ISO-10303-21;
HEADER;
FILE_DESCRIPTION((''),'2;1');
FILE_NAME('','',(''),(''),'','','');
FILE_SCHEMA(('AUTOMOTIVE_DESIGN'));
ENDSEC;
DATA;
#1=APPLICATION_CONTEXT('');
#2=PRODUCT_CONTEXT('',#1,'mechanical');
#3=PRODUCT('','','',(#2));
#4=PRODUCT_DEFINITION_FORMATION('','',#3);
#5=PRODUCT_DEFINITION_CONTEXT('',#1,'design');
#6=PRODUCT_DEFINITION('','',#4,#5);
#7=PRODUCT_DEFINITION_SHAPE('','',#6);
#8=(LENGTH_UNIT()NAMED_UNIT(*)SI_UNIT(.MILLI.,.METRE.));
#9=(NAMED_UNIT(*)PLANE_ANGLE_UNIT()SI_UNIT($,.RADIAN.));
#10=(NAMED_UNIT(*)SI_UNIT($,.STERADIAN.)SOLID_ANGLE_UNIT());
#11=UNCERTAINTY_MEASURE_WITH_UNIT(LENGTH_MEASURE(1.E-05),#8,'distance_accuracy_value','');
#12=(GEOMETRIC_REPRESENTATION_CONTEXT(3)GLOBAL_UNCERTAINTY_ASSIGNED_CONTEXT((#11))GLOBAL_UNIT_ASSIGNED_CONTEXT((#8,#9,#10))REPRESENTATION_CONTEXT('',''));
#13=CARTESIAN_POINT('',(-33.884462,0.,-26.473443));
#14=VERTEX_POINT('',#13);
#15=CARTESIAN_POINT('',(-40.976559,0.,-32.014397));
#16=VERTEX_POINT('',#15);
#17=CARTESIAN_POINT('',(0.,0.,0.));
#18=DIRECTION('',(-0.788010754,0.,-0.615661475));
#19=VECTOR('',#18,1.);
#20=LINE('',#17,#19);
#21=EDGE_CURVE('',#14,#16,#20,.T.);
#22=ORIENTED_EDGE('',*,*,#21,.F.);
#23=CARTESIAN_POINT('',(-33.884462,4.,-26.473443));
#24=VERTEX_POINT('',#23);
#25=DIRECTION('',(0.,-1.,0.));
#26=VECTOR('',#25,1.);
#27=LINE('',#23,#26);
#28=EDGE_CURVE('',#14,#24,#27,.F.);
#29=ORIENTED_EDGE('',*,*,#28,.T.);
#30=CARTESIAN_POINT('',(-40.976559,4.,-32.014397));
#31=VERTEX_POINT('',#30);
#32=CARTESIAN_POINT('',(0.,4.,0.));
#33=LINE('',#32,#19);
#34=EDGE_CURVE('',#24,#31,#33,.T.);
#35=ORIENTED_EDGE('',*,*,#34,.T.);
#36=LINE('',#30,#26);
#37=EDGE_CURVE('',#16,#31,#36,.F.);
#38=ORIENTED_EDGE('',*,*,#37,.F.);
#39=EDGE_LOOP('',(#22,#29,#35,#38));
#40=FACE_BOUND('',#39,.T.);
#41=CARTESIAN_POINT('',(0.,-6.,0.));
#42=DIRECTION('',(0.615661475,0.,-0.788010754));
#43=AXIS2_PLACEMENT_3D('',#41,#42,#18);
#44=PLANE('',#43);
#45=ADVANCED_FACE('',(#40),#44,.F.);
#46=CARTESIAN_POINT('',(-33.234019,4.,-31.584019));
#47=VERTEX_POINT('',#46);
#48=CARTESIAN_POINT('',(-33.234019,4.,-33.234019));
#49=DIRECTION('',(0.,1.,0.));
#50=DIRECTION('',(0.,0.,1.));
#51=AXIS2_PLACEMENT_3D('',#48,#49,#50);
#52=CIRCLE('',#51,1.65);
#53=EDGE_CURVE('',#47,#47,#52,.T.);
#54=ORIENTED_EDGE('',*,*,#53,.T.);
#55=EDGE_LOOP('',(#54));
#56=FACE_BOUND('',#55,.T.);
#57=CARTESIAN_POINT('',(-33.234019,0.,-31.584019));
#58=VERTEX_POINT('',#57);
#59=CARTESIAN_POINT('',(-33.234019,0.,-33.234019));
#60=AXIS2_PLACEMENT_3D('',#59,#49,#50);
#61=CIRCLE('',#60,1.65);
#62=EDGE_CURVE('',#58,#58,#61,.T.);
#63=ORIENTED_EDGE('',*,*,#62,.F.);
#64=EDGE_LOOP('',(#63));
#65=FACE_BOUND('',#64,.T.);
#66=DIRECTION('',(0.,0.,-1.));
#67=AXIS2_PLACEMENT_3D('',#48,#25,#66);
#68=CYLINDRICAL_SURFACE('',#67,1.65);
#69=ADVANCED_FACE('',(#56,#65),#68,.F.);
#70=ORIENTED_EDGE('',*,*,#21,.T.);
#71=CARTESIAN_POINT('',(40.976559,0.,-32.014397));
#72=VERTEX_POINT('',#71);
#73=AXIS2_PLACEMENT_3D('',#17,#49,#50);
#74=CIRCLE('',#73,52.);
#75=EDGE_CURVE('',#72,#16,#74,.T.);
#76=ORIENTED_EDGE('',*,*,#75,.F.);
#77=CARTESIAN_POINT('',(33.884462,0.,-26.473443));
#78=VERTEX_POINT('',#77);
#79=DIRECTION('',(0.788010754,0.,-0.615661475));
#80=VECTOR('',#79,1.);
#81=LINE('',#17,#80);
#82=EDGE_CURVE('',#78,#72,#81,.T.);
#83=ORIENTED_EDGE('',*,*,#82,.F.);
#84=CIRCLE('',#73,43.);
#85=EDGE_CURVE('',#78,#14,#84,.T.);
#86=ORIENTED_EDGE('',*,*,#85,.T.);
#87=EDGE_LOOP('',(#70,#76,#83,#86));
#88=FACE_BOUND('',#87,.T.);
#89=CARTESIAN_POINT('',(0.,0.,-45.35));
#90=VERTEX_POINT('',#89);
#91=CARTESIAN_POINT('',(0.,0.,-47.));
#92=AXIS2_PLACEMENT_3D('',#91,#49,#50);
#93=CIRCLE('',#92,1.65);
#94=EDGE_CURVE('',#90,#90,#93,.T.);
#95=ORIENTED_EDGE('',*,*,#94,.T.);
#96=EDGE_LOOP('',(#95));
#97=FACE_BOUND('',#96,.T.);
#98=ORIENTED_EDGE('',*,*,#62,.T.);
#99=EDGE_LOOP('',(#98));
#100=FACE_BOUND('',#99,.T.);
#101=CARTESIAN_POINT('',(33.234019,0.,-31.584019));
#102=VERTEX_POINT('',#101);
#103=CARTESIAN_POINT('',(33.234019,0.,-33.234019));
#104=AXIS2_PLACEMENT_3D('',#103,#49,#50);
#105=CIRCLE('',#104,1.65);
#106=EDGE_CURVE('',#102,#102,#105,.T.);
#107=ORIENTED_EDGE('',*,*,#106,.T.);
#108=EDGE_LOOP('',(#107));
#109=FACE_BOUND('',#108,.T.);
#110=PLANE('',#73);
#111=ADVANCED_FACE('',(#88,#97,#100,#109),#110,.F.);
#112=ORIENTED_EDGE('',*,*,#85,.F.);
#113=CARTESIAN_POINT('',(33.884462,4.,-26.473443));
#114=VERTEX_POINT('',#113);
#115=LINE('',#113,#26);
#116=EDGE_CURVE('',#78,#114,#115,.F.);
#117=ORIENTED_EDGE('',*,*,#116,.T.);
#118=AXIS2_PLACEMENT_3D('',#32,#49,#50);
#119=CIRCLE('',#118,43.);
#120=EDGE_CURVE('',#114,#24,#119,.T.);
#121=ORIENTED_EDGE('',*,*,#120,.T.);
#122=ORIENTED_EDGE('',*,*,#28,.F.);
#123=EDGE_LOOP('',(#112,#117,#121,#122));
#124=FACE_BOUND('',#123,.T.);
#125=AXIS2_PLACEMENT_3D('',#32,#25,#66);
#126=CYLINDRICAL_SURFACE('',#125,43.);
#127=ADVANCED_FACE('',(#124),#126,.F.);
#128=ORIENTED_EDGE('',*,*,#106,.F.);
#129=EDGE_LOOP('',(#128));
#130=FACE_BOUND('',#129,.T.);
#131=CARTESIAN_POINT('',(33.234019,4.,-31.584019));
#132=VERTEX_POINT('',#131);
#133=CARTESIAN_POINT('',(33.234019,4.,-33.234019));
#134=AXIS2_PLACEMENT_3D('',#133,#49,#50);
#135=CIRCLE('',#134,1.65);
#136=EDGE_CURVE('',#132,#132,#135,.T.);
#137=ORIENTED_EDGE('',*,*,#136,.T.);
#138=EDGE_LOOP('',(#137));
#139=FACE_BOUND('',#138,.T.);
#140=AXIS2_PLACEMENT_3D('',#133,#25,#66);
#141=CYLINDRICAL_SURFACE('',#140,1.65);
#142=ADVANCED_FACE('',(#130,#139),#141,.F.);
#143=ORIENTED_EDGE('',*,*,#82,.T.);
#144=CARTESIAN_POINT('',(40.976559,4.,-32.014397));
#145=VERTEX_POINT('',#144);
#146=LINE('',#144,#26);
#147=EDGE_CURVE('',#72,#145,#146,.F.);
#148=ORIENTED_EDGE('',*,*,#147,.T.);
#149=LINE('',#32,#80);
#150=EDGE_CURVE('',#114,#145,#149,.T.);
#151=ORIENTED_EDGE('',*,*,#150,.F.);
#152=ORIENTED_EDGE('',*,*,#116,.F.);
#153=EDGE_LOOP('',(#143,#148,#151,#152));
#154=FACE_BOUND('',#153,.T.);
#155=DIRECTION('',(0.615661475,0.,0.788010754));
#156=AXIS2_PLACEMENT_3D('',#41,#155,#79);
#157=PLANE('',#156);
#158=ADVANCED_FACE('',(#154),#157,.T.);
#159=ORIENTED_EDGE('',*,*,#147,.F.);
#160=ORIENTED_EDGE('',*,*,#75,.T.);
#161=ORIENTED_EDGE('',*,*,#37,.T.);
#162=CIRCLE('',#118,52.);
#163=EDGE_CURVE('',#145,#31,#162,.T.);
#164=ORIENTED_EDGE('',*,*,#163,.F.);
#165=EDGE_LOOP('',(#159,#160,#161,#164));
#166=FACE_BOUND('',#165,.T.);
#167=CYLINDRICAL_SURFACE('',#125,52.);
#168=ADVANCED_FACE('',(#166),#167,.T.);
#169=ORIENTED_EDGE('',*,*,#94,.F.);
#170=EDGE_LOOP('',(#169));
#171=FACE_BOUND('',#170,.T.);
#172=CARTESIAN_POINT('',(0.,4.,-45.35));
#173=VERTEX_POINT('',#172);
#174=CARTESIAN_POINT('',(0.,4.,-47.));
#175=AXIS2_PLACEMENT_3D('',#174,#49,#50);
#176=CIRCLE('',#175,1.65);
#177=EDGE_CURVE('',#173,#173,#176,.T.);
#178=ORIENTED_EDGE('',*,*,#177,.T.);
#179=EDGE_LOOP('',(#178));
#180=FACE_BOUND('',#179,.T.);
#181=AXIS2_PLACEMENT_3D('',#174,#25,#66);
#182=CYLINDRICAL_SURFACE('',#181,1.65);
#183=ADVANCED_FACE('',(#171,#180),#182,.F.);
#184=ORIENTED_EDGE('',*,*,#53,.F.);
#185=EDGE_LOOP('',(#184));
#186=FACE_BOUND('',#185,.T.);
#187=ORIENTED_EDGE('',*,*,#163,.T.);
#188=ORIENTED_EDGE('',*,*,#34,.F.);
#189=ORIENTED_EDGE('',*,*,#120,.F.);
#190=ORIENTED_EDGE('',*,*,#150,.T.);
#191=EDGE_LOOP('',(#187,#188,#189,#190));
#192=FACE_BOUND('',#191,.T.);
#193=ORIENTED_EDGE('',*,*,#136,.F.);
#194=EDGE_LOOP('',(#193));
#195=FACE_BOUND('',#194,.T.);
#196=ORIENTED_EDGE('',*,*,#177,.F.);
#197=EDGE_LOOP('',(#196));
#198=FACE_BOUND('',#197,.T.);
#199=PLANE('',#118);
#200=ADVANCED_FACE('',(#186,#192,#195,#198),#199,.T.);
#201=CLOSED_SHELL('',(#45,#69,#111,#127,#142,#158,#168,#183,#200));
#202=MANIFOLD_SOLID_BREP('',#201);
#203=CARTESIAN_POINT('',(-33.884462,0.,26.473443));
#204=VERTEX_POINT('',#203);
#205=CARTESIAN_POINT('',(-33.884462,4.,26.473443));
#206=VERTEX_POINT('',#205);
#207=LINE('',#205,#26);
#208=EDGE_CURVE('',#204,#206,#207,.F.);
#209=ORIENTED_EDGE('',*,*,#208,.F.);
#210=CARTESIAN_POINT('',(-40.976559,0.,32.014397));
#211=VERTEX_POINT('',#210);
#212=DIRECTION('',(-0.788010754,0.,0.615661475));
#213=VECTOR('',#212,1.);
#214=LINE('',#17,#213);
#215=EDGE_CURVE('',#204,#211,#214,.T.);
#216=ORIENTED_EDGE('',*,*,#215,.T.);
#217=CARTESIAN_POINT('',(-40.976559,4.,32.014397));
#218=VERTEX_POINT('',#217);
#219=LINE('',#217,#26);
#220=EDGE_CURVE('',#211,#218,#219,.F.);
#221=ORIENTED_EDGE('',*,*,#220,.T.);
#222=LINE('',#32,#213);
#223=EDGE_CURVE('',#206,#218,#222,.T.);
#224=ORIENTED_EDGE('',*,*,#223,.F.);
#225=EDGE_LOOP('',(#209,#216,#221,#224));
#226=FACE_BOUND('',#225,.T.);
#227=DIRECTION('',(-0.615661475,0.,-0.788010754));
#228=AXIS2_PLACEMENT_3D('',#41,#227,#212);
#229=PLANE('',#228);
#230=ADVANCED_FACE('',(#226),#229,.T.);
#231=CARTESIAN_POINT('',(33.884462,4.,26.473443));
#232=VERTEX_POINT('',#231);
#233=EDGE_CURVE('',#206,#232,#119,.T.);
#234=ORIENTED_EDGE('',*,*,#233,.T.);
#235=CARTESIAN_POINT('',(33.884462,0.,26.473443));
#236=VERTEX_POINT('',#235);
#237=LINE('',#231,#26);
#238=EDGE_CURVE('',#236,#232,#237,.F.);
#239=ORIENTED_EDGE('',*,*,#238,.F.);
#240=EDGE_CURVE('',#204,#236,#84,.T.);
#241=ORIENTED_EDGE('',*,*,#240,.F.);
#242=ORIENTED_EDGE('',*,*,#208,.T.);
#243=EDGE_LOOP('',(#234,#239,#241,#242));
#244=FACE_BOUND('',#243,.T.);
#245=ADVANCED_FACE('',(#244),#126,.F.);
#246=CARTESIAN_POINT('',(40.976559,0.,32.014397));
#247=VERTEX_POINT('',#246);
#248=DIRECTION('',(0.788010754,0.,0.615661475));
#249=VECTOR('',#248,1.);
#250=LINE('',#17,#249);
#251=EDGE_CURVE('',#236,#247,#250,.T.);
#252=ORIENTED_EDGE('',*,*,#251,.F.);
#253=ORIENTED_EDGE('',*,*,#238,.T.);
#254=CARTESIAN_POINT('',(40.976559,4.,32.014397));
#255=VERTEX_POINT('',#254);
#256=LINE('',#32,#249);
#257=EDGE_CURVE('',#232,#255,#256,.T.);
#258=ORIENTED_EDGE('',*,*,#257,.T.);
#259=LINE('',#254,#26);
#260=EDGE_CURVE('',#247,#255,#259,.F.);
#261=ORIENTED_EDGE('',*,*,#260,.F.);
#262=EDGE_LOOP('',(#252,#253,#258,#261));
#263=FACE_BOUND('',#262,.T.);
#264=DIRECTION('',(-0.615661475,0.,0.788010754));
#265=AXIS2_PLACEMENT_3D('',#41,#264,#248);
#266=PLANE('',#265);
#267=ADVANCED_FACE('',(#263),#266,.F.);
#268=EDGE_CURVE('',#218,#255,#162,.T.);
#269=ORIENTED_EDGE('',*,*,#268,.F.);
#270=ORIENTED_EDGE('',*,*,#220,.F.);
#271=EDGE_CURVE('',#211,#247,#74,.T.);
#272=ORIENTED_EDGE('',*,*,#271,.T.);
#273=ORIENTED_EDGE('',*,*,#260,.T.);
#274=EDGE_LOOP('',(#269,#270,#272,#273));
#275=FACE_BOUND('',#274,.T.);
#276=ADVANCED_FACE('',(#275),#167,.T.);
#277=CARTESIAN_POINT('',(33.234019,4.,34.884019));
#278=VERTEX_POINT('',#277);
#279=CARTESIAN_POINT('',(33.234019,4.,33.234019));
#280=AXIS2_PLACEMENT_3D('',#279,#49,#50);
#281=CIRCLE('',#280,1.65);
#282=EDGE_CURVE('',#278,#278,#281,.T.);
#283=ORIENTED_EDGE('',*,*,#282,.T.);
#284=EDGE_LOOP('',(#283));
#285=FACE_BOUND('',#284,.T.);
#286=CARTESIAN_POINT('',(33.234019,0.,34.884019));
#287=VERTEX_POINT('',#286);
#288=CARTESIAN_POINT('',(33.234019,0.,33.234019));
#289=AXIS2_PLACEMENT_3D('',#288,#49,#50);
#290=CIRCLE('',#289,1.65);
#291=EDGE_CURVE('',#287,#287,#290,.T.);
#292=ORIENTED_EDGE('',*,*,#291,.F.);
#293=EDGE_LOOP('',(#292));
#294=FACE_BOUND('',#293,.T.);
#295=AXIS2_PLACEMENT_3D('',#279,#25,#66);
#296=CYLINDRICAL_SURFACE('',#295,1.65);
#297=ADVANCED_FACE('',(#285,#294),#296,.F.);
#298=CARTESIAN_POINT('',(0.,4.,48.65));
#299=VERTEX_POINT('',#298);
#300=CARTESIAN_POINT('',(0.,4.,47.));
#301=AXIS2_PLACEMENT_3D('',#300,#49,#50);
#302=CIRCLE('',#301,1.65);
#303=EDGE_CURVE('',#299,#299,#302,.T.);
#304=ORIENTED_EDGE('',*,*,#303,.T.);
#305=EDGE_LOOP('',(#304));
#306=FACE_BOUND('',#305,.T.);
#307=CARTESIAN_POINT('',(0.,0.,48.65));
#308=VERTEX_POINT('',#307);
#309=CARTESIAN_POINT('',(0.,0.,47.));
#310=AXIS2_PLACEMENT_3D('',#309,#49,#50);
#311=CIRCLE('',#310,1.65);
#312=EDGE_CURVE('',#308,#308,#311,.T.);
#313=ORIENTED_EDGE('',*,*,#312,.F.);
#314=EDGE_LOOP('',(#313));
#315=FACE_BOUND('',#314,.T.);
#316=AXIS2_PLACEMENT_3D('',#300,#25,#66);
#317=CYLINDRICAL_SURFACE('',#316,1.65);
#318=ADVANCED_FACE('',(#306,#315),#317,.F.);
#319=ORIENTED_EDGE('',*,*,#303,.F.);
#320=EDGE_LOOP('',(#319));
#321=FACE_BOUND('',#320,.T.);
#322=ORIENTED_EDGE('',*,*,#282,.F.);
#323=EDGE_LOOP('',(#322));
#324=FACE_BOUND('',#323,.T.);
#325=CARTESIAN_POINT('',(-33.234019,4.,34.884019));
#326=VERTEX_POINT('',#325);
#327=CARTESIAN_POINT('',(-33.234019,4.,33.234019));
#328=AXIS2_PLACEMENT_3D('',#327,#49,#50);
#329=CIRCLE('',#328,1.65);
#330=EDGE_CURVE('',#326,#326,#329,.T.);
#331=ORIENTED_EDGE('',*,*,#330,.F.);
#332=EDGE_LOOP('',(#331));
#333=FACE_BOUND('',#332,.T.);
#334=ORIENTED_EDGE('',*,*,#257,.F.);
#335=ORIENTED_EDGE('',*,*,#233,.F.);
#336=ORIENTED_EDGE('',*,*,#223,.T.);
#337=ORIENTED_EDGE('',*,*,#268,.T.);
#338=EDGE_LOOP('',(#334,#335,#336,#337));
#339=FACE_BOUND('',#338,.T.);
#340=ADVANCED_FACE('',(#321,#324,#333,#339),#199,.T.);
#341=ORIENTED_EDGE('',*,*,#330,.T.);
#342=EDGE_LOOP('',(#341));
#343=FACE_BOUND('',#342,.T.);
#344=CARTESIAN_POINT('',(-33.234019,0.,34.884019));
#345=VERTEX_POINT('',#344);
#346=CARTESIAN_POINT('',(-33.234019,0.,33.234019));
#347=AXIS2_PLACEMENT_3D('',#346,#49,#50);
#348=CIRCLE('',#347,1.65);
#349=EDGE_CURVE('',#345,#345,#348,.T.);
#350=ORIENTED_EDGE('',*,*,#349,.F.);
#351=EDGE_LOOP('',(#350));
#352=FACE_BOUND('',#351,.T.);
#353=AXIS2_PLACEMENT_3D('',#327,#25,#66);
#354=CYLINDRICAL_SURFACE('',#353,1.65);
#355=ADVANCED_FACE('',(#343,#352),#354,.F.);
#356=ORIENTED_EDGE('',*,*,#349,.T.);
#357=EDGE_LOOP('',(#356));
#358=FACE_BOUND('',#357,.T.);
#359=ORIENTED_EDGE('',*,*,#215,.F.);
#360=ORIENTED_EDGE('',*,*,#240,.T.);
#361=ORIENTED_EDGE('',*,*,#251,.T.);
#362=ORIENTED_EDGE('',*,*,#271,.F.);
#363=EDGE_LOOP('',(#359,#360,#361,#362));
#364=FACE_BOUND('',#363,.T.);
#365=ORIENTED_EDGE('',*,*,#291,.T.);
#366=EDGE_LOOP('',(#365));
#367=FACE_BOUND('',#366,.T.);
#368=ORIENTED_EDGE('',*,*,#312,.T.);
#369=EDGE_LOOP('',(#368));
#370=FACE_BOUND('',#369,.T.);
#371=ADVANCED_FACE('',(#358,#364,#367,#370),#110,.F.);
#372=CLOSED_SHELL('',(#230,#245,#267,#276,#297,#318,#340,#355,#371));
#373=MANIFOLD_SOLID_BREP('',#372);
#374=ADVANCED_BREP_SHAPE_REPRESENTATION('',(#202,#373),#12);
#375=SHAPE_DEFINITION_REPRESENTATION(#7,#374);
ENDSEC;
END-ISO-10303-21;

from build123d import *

# Parameters (mm, degrees)
SKETCH_1_R          = 52
SKETCH_1_R_2        = 43
SKETCH_1_R_3        = 1.65
EXTRUDE_1_DEPTH     = 4
CUT_EXTRUDE_2_DEPTH = 10


with BuildPart() as part:
    # 草图1 → 凸台-拉伸1 (new body)
    with BuildSketch(Plane(origin=(0, 0, 0), x_dir=(1, 0, 0), z_dir=(0, 1, 0))):
        with Locations(Location((0, 0, 0), (0, 0, 270))):
            Circle(SKETCH_1_R)
        with Locations(Location((0, 0, 0), (0, 0, 270))):
            Circle(SKETCH_1_R_2, mode=Mode.SUBTRACT)
        with Locations(Location((47, 0, 0), (0, 0, 270))):
            Circle(SKETCH_1_R_3, mode=Mode.SUBTRACT)
        with Locations(Location((33.234018716, -33.234018716, 0), (0, 0, 270))):
            Circle(SKETCH_1_R_3, mode=Mode.SUBTRACT)
        with Locations(Location((0, -47, 0), (0, 0, 270))):
            Circle(SKETCH_1_R_3, mode=Mode.SUBTRACT)
        with Locations(Location((-33.234018716, -33.234018716, 0), (0, 0, 270))):
            Circle(SKETCH_1_R_3, mode=Mode.SUBTRACT)
        with Locations(Location((-47, 0, 0), (0, 0, 270))):
            Circle(SKETCH_1_R_3, mode=Mode.SUBTRACT)
        with Locations(Location((-33.234018716, 33.234018716, 0), (0, 0, 270))):
            Circle(SKETCH_1_R_3, mode=Mode.SUBTRACT)
        with Locations(Location((0, 47, 0), (0, 0, 270))):
            Circle(SKETCH_1_R_3, mode=Mode.SUBTRACT)
        with Locations(Location((33.234018716, 33.234018716, 0), (0, 0, 270))):
            Circle(SKETCH_1_R_3, mode=Mode.SUBTRACT)
    extrude(amount=EXTRUDE_1_DEPTH)

    # 草图2 → 切除-拉伸2 (cut)
    with BuildSketch(Plane(origin=(0, 4, 0), x_dir=(1, 0, 0), z_dir=(0, 1, 0))):
        Polygon((32.7612153, 25.59586662), (0, 0), (32.7612153, -25.59586662), (53.158039477, -41.531612177), (53.158039477, 41.531612177), align=None)
        Polygon((-32.7612153, -25.59586662), (0, 0), (-32.7612153, 25.59586662), (-53.158039477, 41.531612177), (-53.158039477, -41.531612177), align=None)
    extrude(amount=-CUT_EXTRUDE_2_DEPTH, mode=Mode.SUBTRACT)


with BuildPart() as cut_extrude_2_piece_1:
    # of the separate pieces the step leaves, piece 1, a body of its own (cut_extrude_2_pieces)
    add(part.part.solids().sort_by_distance((-40.976559188, 0, 32.014396717))[0])


with BuildPart() as cut_extrude_2_piece_2:
    # of the separate pieces the step leaves, piece 2, a body of its own (cut_extrude_2_pieces)
    add(part.part.solids().sort_by_distance((40.976559188, 0, -32.014396717))[0])


solid = Compound([cut_extrude_2_piece_1.part, cut_extrude_2_piece_2.part])
